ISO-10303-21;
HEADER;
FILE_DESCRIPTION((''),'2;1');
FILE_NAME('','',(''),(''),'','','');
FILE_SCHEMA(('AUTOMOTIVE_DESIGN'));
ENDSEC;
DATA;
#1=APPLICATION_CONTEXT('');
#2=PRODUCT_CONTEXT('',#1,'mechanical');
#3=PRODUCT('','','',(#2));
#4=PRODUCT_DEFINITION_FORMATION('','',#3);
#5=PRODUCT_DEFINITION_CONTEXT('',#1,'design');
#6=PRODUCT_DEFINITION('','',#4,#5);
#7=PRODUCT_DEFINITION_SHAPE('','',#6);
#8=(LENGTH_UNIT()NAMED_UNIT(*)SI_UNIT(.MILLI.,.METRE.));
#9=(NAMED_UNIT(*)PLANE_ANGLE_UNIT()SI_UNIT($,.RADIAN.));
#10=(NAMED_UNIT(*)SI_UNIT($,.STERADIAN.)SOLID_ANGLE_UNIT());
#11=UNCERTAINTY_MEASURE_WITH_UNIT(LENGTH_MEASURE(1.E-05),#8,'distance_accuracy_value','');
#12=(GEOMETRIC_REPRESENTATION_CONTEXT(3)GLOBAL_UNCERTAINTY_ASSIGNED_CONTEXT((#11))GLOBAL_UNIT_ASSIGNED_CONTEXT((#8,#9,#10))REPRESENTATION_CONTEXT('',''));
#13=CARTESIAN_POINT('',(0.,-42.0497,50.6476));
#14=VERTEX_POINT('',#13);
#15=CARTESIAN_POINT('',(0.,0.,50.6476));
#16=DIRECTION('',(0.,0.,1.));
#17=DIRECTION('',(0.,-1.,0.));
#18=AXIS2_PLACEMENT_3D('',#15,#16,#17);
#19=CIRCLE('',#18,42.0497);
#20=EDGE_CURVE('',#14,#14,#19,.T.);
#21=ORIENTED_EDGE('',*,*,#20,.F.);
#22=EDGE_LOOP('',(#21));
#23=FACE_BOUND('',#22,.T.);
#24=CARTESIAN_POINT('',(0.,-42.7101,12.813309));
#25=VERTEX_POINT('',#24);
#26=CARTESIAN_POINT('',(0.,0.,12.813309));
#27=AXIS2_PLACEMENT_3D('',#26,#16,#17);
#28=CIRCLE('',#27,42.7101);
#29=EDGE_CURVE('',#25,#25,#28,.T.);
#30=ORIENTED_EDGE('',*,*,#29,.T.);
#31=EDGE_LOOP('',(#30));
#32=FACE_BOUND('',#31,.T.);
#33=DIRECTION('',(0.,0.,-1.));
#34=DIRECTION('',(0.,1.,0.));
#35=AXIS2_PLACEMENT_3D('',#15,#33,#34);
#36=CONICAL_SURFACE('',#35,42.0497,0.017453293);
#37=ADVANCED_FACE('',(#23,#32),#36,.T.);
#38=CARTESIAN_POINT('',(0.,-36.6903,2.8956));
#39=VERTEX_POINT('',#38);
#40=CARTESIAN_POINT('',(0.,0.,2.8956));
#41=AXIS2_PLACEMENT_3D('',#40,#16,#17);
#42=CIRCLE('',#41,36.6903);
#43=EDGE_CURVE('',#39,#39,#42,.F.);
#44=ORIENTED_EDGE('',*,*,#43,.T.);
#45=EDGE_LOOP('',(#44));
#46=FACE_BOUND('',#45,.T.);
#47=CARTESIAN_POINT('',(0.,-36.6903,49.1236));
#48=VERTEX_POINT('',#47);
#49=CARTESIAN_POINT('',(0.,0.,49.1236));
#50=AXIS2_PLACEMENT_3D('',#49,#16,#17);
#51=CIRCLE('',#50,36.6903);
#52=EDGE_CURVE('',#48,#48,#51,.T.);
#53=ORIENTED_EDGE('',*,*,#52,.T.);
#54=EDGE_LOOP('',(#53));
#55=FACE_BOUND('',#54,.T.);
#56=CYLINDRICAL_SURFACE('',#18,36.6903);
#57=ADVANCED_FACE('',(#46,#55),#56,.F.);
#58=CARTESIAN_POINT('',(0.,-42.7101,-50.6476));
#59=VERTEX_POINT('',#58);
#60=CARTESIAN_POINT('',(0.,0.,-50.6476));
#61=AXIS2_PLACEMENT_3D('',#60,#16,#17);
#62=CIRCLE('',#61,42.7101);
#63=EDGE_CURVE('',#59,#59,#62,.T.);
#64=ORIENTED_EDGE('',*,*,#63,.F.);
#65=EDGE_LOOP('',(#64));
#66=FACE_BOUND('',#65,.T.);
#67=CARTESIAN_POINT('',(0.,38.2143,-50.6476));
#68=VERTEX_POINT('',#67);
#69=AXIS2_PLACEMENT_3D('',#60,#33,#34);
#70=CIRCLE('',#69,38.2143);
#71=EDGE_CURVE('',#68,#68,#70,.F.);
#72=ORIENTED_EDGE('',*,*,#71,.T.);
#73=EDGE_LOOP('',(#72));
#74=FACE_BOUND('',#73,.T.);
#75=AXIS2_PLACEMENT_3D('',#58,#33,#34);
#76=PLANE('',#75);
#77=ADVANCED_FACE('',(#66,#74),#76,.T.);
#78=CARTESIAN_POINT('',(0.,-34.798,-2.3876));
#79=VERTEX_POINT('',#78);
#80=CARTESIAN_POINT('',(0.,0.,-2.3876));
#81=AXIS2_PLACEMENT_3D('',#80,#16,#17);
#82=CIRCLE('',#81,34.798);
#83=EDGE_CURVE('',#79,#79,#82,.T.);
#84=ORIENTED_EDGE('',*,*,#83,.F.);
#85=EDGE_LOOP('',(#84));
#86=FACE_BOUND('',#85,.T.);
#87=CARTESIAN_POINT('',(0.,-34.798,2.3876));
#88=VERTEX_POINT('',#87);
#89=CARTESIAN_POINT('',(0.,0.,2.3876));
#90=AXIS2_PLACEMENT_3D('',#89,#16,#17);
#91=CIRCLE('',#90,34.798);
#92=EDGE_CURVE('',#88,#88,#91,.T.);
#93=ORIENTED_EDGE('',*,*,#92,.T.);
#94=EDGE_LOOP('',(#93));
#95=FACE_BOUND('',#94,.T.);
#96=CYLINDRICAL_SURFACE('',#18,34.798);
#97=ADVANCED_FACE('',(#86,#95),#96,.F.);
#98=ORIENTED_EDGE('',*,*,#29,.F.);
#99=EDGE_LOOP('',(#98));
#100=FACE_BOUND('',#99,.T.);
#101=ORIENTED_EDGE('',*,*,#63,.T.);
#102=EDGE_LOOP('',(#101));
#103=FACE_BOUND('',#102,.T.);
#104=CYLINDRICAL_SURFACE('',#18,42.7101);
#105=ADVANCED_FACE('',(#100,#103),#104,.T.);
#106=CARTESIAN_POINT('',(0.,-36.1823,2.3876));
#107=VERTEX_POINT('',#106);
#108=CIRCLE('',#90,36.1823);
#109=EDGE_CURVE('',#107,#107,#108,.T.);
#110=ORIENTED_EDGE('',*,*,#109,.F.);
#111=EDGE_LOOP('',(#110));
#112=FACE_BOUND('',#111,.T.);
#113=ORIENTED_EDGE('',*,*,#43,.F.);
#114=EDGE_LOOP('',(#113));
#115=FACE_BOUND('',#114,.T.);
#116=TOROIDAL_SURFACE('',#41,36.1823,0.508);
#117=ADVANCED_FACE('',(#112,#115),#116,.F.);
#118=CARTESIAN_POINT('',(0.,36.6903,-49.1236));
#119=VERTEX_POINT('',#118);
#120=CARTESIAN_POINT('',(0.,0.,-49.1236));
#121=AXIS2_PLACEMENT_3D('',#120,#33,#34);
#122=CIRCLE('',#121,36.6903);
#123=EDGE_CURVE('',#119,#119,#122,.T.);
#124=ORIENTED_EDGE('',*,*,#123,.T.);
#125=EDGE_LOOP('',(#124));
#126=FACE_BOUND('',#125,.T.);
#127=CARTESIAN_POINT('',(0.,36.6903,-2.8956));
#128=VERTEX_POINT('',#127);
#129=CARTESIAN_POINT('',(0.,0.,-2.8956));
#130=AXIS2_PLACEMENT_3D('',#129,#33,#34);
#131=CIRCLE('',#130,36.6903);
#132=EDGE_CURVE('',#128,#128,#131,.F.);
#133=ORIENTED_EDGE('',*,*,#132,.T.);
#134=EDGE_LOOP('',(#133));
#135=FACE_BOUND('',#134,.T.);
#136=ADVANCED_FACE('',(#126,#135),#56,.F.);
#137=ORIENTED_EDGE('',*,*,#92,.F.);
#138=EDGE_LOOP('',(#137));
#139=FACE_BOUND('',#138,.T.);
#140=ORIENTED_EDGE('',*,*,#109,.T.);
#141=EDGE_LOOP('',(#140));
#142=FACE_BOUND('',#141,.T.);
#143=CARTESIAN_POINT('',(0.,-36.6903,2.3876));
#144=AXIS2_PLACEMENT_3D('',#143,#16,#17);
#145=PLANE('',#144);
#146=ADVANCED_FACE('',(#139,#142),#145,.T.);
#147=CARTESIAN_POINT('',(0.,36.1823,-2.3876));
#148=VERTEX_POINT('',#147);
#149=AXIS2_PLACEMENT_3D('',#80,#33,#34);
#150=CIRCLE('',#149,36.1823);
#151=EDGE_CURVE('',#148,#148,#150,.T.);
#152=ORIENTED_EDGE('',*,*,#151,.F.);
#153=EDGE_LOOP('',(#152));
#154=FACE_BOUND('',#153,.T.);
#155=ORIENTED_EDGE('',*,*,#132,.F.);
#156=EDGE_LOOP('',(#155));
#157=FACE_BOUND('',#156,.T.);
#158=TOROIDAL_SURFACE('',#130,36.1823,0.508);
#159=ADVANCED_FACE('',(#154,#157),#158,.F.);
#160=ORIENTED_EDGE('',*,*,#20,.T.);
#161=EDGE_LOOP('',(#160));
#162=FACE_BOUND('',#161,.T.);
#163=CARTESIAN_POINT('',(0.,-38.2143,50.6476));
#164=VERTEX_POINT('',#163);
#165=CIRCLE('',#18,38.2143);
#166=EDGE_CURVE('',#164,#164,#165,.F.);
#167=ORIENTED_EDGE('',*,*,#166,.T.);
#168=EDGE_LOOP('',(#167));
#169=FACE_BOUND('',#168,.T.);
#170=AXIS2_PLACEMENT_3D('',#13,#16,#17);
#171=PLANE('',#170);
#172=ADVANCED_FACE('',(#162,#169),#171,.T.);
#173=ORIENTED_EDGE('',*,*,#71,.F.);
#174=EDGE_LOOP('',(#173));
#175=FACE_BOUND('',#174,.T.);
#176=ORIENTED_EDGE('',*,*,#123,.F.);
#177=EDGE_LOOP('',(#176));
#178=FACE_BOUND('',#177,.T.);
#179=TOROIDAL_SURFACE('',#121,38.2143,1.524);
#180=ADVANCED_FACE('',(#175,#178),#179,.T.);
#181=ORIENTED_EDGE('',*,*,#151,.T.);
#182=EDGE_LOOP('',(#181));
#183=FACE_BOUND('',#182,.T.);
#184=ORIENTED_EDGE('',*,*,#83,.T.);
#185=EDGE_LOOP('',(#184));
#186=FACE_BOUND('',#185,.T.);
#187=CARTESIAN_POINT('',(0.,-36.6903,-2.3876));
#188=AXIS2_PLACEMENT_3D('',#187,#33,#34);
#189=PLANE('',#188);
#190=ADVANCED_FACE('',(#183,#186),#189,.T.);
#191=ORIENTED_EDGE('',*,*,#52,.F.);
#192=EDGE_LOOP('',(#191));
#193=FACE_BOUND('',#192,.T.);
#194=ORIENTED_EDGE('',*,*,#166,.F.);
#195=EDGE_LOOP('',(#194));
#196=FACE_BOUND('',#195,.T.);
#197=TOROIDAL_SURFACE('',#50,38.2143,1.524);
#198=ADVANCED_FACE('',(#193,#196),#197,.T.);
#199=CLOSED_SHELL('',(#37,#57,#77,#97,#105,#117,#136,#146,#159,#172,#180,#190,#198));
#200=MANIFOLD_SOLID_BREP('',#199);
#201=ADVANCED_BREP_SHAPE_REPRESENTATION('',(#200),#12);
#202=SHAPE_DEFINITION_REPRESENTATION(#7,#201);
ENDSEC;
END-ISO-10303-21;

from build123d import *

# Parameters (mm, degrees)
FILLET1_R = 1.524
FILLET2_R = 0.508


with BuildPart() as part:
    # Sketch3 → Revolve1 (revolve)
    with BuildSketch(Plane(origin=(0, 0, 0), x_dir=(0, 0, -1), z_dir=(1, 0, 0))):
        Polygon((-12.813309339, -42.7101), (50.6476, -42.7101), (50.6476, -36.6903), (2.3876, -36.6903), (2.3876, -34.798), (-2.3876, -34.798), (-2.3876, -36.6903), (-50.6476, -36.6903), (-50.6476, -42.0497), align=None)
    revolve(axis=Axis((0, 0, 50.6476), (0, 0, -1)))

    # Fillet1
    fillet1_edges = [part.edges().sort_by_distance(p)[0] for p in [
        (0, 36.6903, -50.6476),
        (0, 36.6903, 50.6476),
    ]]
    fillet(fillet1_edges, radius=FILLET1_R)

    # Fillet2
    fillet2_edges = [part.edges().sort_by_distance(p)[0] for p in [
        (0, 36.6903, 2.3876),
        (0, 36.6903, -2.3876),
    ]]
    fillet(fillet2_edges, radius=FILLET2_R)


solid = part.part
